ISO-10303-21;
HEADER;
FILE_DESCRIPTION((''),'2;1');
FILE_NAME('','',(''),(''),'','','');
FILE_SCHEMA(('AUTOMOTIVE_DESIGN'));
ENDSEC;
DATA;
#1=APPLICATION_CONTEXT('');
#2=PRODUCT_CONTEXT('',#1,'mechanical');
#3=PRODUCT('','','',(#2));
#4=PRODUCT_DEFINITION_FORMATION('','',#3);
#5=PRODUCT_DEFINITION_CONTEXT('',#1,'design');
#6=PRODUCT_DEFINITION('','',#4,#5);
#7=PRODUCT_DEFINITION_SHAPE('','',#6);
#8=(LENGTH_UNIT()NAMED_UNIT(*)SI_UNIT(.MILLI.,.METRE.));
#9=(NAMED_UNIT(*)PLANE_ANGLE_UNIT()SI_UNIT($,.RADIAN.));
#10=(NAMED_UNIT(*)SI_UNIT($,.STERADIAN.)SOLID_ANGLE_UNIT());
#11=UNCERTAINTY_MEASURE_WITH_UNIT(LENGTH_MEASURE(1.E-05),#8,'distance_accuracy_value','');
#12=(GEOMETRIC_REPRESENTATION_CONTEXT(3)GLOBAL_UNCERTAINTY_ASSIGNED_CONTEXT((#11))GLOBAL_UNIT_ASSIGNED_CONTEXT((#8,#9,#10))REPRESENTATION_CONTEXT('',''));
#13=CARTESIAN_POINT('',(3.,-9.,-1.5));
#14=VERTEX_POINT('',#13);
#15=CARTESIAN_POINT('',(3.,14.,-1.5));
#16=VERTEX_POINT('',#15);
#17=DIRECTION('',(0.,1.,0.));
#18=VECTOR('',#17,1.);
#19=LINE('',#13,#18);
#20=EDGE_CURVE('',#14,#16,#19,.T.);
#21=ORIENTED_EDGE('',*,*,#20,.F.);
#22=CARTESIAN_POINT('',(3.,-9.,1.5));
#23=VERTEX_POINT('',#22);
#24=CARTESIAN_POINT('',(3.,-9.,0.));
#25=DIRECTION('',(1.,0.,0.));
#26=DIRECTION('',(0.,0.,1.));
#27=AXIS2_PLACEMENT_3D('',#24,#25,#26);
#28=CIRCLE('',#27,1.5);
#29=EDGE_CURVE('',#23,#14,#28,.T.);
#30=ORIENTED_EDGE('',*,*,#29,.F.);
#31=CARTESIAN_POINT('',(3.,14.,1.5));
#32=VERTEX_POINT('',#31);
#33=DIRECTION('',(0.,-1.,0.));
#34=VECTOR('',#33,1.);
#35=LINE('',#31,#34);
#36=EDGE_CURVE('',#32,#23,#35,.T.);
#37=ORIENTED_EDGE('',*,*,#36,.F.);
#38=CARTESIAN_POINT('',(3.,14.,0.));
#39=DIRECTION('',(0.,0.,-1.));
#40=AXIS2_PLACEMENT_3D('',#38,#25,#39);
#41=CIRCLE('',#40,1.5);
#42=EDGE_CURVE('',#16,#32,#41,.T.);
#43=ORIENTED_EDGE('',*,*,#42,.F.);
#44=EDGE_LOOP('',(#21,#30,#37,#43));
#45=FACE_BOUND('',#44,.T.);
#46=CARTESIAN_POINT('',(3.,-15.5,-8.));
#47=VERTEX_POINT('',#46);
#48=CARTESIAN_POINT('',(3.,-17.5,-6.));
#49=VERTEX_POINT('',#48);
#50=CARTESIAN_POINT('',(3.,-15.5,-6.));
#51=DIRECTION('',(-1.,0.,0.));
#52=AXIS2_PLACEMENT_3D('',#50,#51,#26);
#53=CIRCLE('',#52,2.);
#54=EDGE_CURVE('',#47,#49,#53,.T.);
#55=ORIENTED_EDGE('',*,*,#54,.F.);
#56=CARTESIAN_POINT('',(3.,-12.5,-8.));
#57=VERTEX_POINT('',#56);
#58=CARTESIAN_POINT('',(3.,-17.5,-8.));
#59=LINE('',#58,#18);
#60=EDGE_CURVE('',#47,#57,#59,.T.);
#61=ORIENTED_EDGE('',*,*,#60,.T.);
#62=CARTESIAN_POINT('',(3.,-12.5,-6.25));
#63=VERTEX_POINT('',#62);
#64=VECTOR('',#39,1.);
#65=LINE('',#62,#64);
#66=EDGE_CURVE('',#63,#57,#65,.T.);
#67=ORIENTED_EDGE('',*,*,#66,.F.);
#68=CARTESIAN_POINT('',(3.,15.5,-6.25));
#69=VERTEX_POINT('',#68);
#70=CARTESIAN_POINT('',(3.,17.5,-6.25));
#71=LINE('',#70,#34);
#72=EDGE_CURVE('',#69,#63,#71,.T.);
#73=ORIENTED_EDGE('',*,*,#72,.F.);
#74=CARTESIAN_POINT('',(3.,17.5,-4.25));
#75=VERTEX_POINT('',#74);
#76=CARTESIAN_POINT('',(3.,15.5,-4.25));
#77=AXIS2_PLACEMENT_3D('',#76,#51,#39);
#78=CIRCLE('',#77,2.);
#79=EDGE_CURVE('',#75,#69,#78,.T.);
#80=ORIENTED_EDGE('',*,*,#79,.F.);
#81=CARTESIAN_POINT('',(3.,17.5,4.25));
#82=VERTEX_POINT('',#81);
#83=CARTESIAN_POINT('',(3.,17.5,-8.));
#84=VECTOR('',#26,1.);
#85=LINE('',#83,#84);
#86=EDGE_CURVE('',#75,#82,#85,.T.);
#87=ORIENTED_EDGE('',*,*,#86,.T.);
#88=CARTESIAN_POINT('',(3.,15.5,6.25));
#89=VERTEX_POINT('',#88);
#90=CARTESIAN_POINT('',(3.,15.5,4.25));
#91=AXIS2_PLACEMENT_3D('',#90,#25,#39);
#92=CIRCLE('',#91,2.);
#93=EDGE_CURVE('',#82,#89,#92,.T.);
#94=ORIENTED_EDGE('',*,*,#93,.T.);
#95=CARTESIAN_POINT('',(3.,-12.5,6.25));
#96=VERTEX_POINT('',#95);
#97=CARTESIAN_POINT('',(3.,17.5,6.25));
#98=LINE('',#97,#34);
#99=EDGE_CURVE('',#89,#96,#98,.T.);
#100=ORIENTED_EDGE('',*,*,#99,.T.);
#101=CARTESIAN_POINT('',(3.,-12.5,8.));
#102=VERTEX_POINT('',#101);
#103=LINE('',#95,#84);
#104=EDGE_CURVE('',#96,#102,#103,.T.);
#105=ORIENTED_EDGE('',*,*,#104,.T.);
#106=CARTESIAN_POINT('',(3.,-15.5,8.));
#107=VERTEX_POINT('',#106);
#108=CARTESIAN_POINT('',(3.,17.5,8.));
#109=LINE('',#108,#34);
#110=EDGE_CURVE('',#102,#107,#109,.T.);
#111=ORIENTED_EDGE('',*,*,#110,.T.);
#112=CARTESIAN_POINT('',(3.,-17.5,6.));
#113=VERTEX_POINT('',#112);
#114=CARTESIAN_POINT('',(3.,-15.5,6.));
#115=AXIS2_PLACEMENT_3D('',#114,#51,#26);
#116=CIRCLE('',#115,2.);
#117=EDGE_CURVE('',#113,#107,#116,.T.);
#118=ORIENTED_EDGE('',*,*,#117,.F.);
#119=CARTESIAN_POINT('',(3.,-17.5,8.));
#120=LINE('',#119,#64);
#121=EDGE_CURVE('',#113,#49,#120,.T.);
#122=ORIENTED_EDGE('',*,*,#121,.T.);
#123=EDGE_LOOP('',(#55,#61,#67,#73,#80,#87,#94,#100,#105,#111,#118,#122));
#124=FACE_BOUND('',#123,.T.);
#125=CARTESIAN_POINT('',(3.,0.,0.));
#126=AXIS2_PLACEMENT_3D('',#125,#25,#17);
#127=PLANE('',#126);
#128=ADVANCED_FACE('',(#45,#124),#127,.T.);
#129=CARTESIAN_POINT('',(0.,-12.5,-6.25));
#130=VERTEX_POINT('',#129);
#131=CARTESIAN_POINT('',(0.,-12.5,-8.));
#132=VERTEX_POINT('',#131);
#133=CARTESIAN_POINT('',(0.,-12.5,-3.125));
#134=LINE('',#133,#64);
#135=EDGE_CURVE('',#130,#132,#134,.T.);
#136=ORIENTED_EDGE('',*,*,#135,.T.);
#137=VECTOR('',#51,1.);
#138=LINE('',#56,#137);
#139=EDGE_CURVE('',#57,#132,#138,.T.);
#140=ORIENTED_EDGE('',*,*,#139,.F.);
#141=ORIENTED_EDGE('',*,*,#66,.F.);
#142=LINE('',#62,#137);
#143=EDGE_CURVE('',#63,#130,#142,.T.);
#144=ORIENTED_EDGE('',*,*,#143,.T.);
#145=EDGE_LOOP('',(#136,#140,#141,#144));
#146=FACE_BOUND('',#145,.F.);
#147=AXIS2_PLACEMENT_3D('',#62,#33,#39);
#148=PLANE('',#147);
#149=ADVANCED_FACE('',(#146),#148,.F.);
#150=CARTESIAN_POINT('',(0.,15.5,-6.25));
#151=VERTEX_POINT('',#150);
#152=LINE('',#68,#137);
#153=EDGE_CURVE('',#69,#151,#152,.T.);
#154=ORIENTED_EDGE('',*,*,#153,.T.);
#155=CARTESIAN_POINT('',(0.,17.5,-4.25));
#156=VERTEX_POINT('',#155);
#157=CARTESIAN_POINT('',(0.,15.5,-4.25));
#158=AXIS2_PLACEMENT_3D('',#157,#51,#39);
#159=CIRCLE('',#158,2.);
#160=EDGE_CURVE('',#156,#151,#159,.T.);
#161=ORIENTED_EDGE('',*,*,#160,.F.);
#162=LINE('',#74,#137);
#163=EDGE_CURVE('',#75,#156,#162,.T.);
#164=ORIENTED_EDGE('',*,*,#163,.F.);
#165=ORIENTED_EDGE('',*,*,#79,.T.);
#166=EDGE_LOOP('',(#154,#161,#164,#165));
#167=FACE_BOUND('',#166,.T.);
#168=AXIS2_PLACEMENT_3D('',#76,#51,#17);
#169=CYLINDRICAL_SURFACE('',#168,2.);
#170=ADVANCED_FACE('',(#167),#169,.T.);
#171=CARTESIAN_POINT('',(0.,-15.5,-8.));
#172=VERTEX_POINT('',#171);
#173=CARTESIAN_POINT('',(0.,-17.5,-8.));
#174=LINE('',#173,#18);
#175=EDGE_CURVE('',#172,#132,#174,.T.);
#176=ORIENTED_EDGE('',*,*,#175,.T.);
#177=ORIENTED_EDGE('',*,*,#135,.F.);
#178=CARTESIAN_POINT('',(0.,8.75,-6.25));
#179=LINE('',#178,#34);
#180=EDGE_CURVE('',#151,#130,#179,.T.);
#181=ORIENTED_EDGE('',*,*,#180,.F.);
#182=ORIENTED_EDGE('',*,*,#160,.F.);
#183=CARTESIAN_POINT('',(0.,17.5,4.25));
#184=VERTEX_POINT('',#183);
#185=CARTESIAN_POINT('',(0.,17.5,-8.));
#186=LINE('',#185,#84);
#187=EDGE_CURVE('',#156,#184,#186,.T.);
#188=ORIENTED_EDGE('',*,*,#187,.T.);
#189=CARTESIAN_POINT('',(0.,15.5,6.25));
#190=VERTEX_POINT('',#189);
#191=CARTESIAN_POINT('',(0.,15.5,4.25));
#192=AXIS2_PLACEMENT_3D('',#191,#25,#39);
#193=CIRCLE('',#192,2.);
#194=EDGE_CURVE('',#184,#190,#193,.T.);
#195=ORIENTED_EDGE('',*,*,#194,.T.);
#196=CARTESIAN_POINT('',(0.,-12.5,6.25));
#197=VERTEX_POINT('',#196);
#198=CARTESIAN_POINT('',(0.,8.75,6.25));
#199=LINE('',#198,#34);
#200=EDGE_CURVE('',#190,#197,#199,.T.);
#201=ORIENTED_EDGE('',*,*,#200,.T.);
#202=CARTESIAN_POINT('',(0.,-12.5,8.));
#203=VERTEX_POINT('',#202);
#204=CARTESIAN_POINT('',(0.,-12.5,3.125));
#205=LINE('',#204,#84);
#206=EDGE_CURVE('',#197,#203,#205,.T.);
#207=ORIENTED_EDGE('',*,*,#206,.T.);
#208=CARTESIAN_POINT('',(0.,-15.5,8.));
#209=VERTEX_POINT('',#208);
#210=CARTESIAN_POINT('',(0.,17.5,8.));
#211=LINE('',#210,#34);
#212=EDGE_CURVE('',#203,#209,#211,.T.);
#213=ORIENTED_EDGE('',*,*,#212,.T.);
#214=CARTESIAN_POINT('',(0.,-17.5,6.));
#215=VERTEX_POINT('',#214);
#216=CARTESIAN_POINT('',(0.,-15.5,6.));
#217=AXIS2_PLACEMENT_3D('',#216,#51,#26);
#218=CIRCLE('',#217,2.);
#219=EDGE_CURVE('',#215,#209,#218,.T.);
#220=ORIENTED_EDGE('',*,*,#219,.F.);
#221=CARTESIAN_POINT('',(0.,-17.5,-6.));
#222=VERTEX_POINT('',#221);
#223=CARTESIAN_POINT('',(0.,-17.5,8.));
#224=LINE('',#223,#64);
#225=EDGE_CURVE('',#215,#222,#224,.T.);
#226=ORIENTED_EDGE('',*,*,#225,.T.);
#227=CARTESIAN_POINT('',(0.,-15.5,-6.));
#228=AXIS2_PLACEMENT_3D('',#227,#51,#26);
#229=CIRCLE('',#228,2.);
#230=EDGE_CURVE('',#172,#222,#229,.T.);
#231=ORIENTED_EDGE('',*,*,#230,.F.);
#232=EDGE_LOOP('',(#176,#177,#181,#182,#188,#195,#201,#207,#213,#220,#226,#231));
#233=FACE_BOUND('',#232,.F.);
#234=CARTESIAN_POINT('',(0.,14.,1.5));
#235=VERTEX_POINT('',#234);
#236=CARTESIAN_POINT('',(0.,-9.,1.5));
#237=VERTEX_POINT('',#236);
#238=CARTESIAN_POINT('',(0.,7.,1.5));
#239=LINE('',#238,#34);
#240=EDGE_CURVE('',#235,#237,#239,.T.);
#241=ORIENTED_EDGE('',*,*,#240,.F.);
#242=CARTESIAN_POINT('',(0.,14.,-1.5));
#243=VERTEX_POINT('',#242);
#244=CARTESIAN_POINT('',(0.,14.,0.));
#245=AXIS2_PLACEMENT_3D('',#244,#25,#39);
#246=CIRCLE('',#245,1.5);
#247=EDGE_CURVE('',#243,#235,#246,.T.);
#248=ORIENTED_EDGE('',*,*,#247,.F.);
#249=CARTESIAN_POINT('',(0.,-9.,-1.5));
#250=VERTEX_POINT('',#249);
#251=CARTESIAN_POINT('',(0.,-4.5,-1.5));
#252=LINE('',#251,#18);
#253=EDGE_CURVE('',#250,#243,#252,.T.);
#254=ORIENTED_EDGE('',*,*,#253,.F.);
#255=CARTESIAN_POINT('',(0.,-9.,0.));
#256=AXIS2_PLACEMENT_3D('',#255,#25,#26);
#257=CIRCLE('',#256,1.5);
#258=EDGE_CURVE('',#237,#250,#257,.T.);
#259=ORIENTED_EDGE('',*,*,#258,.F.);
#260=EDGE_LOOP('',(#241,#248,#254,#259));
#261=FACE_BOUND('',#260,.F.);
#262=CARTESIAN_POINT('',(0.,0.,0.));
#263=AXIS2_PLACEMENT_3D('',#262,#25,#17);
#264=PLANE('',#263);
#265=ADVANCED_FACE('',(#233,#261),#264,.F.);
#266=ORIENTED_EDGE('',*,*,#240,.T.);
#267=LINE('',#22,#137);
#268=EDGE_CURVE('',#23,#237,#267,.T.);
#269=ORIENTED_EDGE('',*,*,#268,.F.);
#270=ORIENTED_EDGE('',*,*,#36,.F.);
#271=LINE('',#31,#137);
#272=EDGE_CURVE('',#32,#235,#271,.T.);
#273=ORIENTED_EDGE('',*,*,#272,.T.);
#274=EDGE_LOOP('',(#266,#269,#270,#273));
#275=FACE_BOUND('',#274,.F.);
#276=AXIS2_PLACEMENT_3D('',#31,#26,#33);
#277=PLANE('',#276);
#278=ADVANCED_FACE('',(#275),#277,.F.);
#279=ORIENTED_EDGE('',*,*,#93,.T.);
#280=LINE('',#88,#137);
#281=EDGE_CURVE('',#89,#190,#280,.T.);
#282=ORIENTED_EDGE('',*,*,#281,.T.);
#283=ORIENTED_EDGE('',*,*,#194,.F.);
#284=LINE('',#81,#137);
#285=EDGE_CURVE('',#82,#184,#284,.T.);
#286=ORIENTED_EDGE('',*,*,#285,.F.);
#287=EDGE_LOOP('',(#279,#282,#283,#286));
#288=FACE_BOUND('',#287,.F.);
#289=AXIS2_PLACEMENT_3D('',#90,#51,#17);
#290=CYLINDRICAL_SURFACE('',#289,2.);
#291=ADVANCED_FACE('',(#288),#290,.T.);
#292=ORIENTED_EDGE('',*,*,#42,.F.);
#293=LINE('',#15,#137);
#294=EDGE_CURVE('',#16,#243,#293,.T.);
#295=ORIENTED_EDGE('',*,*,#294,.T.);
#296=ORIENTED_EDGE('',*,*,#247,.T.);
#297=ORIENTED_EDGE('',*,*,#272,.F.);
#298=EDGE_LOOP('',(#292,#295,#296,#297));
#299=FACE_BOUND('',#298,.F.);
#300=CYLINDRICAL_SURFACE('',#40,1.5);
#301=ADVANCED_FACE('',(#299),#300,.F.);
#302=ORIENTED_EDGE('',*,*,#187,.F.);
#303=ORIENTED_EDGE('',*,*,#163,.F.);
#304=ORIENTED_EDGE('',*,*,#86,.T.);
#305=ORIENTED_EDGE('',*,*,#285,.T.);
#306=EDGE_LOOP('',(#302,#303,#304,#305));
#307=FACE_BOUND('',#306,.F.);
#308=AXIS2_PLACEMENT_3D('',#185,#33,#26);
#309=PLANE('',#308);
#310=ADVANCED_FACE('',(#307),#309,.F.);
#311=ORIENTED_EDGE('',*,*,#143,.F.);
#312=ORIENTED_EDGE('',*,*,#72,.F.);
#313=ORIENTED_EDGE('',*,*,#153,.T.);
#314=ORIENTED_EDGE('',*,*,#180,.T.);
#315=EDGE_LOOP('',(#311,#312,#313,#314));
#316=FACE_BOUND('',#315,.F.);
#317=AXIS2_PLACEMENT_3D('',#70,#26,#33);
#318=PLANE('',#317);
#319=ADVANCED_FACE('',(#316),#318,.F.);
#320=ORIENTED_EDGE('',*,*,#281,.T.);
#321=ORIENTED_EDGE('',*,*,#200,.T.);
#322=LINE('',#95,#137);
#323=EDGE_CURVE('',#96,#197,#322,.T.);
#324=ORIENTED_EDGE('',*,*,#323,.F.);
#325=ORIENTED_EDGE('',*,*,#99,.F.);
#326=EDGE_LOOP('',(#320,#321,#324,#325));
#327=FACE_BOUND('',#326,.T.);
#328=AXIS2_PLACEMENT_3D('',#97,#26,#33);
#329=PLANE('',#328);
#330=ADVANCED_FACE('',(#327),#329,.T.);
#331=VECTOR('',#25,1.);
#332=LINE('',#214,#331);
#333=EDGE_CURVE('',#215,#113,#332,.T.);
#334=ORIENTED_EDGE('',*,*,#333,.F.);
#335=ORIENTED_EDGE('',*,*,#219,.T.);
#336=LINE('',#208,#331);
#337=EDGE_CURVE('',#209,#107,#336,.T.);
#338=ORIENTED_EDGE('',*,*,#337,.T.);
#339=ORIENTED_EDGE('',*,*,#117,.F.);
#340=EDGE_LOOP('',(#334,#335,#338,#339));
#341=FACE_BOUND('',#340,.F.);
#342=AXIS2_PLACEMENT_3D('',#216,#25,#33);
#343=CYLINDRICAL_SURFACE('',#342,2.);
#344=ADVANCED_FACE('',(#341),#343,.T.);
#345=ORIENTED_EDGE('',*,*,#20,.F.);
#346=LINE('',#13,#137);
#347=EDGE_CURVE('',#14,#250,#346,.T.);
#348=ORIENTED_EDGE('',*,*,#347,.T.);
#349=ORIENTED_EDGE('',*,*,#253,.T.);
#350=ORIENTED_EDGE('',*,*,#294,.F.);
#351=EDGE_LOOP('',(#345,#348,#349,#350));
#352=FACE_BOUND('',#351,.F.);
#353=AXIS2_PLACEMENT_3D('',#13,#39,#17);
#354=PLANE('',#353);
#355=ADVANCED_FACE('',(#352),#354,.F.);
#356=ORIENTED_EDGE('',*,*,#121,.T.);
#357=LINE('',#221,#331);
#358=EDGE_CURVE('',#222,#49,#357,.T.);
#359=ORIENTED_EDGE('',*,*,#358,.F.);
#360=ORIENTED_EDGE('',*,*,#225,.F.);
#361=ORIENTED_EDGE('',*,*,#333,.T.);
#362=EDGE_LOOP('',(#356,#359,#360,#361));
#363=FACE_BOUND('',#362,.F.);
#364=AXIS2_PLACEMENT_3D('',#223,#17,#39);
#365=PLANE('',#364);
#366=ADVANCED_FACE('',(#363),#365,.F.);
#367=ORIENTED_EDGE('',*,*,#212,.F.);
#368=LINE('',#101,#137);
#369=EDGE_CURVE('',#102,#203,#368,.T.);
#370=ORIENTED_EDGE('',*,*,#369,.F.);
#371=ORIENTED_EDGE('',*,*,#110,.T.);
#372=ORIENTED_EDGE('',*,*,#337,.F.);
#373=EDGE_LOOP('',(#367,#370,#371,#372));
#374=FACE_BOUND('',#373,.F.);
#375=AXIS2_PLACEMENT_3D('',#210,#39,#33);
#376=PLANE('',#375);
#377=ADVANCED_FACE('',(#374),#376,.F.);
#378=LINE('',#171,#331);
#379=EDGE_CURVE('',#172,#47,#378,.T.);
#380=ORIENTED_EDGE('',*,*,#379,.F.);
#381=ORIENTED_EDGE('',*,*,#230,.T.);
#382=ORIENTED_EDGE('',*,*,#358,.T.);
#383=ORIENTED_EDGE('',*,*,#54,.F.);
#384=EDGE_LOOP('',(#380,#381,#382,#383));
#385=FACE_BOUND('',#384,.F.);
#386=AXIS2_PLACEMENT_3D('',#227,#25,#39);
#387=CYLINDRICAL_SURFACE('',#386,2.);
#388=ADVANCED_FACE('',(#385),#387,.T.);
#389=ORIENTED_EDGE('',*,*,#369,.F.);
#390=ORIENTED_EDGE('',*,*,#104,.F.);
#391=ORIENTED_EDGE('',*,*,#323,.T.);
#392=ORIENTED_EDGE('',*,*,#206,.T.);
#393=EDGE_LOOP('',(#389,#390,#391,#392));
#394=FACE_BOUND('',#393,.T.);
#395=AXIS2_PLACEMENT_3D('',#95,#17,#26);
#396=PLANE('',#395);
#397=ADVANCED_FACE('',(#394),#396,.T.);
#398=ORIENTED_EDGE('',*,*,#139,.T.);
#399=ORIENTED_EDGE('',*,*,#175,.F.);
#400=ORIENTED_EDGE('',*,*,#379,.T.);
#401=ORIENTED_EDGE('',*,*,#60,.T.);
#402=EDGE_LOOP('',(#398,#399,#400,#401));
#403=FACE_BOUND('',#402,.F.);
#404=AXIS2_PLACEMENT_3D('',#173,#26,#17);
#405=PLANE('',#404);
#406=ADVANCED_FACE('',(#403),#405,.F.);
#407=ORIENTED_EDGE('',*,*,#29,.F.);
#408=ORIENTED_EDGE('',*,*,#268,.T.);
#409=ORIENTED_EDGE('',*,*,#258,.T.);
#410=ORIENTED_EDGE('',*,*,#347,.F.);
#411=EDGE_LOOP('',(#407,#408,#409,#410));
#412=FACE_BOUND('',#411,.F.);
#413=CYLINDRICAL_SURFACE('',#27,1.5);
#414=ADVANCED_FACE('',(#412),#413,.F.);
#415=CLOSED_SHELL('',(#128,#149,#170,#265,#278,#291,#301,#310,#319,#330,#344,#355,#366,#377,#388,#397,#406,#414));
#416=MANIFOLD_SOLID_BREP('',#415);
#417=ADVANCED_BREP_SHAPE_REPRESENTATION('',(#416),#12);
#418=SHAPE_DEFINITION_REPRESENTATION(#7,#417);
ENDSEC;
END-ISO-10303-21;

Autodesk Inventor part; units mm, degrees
ref_plane "YZ Plane" through (0, 0, 0) normal (1, 0, 0) x (0, 1, 0)
ref_plane "XZ Plane" through (0, 0, 0) normal (0, 1, 0) x (-1, 0, 0)
ref_plane "XY Plane" through (0, 0, 0) normal (0, 0, 1) x (1, 0, 0)
sketch "Sketch1" plane through (0, 0, 0) normal (1, 0, 0) x (0, 1, 0)
  line L0 (17.5, 8) -> (-17.5, 8)
  line L1 (-17.5, 8) -> (-17.5, -8)
  line L2 (-17.5, -8) -> (17.5, -8)
  line L3 (17.5, -8) -> (17.5, 8)
  line L4 (17.5, 8) -> (-17.5, -8) construction
  line L5 (-17.5, 8) -> (17.5, -8) construction
  point P0 (0, 0)
  dimension "d0" = 35
  dimension "d1" = 16
extrude "Extrusion1" add sketch "Sketch1" along normal blind 3
sketch "Sketch2" plane through (3, 0, 0) normal (1, 0, 0) x (0, 0, -1)
  line L0 (-8, 17.5) -> (-8, -17.5) construction
  line L1 (-8, -12.5) -> (7.9898, -12.5) construction
  line L2 (-8, -17.5) -> (8, -17.5) construction
  line L3 (8, 17.5) -> (-8, 17.5) construction
  line L4 (-8, 17.5) -> (7.9898, -12.5) construction
  line L5 (8, -17.5) -> (8, 17.5) construction
  line L6 (8, 17.5) -> (-8, -12.5) construction
  line L7 (0, 14) -> (0, -9) construction
  line L8 (-1.5, 14) -> (-1.5, -9)
  line L9 (1.5, -9) -> (1.5, 14)
  arc A0 (1.5, 14) -> (-1.5, 14) centre (0, 14) ccw
  arc A1 (-1.5, -9) -> (1.5, -9) centre (0, -9) ccw
  line L10 (6.25, -12.5) -> (8, -12.5)
  line L11 (8, -12.5) -> (8, 17.5)
  line L12 (8, 17.5) -> (6.25, 17.5)
  line L13 (6.25, 17.5) -> (6.25, -12.5)
  line L14 (-6.25, -12.5) -> (-8, -12.5)
  line L15 (-8, -12.5) -> (-8, 17.5)
  line L16 (-8, 17.5) -> (-6.25, 17.5)
  line L17 (-6.25, 17.5) -> (-6.25, -12.5)
  point P0 (0, 0)
  point P1 (0, 2.5)
  point P2 (-7.9898, -12.5)
  dimension "d4" = 5
  dimension "d5" = 3
  dimension "d6" = 23
  dimension "d9" = 6.25
extrude "Extrusion2" cut sketch "Sketch2" against normal through all
fillet "Fillet1" radius 2 4 edges at (1.5, 17.5, 6.25) (1.5, 17.5, -6.25) (1.5, -17.5, 8) (1.5, -17.5, -8)
properties part number "Ga mica 5mm"
